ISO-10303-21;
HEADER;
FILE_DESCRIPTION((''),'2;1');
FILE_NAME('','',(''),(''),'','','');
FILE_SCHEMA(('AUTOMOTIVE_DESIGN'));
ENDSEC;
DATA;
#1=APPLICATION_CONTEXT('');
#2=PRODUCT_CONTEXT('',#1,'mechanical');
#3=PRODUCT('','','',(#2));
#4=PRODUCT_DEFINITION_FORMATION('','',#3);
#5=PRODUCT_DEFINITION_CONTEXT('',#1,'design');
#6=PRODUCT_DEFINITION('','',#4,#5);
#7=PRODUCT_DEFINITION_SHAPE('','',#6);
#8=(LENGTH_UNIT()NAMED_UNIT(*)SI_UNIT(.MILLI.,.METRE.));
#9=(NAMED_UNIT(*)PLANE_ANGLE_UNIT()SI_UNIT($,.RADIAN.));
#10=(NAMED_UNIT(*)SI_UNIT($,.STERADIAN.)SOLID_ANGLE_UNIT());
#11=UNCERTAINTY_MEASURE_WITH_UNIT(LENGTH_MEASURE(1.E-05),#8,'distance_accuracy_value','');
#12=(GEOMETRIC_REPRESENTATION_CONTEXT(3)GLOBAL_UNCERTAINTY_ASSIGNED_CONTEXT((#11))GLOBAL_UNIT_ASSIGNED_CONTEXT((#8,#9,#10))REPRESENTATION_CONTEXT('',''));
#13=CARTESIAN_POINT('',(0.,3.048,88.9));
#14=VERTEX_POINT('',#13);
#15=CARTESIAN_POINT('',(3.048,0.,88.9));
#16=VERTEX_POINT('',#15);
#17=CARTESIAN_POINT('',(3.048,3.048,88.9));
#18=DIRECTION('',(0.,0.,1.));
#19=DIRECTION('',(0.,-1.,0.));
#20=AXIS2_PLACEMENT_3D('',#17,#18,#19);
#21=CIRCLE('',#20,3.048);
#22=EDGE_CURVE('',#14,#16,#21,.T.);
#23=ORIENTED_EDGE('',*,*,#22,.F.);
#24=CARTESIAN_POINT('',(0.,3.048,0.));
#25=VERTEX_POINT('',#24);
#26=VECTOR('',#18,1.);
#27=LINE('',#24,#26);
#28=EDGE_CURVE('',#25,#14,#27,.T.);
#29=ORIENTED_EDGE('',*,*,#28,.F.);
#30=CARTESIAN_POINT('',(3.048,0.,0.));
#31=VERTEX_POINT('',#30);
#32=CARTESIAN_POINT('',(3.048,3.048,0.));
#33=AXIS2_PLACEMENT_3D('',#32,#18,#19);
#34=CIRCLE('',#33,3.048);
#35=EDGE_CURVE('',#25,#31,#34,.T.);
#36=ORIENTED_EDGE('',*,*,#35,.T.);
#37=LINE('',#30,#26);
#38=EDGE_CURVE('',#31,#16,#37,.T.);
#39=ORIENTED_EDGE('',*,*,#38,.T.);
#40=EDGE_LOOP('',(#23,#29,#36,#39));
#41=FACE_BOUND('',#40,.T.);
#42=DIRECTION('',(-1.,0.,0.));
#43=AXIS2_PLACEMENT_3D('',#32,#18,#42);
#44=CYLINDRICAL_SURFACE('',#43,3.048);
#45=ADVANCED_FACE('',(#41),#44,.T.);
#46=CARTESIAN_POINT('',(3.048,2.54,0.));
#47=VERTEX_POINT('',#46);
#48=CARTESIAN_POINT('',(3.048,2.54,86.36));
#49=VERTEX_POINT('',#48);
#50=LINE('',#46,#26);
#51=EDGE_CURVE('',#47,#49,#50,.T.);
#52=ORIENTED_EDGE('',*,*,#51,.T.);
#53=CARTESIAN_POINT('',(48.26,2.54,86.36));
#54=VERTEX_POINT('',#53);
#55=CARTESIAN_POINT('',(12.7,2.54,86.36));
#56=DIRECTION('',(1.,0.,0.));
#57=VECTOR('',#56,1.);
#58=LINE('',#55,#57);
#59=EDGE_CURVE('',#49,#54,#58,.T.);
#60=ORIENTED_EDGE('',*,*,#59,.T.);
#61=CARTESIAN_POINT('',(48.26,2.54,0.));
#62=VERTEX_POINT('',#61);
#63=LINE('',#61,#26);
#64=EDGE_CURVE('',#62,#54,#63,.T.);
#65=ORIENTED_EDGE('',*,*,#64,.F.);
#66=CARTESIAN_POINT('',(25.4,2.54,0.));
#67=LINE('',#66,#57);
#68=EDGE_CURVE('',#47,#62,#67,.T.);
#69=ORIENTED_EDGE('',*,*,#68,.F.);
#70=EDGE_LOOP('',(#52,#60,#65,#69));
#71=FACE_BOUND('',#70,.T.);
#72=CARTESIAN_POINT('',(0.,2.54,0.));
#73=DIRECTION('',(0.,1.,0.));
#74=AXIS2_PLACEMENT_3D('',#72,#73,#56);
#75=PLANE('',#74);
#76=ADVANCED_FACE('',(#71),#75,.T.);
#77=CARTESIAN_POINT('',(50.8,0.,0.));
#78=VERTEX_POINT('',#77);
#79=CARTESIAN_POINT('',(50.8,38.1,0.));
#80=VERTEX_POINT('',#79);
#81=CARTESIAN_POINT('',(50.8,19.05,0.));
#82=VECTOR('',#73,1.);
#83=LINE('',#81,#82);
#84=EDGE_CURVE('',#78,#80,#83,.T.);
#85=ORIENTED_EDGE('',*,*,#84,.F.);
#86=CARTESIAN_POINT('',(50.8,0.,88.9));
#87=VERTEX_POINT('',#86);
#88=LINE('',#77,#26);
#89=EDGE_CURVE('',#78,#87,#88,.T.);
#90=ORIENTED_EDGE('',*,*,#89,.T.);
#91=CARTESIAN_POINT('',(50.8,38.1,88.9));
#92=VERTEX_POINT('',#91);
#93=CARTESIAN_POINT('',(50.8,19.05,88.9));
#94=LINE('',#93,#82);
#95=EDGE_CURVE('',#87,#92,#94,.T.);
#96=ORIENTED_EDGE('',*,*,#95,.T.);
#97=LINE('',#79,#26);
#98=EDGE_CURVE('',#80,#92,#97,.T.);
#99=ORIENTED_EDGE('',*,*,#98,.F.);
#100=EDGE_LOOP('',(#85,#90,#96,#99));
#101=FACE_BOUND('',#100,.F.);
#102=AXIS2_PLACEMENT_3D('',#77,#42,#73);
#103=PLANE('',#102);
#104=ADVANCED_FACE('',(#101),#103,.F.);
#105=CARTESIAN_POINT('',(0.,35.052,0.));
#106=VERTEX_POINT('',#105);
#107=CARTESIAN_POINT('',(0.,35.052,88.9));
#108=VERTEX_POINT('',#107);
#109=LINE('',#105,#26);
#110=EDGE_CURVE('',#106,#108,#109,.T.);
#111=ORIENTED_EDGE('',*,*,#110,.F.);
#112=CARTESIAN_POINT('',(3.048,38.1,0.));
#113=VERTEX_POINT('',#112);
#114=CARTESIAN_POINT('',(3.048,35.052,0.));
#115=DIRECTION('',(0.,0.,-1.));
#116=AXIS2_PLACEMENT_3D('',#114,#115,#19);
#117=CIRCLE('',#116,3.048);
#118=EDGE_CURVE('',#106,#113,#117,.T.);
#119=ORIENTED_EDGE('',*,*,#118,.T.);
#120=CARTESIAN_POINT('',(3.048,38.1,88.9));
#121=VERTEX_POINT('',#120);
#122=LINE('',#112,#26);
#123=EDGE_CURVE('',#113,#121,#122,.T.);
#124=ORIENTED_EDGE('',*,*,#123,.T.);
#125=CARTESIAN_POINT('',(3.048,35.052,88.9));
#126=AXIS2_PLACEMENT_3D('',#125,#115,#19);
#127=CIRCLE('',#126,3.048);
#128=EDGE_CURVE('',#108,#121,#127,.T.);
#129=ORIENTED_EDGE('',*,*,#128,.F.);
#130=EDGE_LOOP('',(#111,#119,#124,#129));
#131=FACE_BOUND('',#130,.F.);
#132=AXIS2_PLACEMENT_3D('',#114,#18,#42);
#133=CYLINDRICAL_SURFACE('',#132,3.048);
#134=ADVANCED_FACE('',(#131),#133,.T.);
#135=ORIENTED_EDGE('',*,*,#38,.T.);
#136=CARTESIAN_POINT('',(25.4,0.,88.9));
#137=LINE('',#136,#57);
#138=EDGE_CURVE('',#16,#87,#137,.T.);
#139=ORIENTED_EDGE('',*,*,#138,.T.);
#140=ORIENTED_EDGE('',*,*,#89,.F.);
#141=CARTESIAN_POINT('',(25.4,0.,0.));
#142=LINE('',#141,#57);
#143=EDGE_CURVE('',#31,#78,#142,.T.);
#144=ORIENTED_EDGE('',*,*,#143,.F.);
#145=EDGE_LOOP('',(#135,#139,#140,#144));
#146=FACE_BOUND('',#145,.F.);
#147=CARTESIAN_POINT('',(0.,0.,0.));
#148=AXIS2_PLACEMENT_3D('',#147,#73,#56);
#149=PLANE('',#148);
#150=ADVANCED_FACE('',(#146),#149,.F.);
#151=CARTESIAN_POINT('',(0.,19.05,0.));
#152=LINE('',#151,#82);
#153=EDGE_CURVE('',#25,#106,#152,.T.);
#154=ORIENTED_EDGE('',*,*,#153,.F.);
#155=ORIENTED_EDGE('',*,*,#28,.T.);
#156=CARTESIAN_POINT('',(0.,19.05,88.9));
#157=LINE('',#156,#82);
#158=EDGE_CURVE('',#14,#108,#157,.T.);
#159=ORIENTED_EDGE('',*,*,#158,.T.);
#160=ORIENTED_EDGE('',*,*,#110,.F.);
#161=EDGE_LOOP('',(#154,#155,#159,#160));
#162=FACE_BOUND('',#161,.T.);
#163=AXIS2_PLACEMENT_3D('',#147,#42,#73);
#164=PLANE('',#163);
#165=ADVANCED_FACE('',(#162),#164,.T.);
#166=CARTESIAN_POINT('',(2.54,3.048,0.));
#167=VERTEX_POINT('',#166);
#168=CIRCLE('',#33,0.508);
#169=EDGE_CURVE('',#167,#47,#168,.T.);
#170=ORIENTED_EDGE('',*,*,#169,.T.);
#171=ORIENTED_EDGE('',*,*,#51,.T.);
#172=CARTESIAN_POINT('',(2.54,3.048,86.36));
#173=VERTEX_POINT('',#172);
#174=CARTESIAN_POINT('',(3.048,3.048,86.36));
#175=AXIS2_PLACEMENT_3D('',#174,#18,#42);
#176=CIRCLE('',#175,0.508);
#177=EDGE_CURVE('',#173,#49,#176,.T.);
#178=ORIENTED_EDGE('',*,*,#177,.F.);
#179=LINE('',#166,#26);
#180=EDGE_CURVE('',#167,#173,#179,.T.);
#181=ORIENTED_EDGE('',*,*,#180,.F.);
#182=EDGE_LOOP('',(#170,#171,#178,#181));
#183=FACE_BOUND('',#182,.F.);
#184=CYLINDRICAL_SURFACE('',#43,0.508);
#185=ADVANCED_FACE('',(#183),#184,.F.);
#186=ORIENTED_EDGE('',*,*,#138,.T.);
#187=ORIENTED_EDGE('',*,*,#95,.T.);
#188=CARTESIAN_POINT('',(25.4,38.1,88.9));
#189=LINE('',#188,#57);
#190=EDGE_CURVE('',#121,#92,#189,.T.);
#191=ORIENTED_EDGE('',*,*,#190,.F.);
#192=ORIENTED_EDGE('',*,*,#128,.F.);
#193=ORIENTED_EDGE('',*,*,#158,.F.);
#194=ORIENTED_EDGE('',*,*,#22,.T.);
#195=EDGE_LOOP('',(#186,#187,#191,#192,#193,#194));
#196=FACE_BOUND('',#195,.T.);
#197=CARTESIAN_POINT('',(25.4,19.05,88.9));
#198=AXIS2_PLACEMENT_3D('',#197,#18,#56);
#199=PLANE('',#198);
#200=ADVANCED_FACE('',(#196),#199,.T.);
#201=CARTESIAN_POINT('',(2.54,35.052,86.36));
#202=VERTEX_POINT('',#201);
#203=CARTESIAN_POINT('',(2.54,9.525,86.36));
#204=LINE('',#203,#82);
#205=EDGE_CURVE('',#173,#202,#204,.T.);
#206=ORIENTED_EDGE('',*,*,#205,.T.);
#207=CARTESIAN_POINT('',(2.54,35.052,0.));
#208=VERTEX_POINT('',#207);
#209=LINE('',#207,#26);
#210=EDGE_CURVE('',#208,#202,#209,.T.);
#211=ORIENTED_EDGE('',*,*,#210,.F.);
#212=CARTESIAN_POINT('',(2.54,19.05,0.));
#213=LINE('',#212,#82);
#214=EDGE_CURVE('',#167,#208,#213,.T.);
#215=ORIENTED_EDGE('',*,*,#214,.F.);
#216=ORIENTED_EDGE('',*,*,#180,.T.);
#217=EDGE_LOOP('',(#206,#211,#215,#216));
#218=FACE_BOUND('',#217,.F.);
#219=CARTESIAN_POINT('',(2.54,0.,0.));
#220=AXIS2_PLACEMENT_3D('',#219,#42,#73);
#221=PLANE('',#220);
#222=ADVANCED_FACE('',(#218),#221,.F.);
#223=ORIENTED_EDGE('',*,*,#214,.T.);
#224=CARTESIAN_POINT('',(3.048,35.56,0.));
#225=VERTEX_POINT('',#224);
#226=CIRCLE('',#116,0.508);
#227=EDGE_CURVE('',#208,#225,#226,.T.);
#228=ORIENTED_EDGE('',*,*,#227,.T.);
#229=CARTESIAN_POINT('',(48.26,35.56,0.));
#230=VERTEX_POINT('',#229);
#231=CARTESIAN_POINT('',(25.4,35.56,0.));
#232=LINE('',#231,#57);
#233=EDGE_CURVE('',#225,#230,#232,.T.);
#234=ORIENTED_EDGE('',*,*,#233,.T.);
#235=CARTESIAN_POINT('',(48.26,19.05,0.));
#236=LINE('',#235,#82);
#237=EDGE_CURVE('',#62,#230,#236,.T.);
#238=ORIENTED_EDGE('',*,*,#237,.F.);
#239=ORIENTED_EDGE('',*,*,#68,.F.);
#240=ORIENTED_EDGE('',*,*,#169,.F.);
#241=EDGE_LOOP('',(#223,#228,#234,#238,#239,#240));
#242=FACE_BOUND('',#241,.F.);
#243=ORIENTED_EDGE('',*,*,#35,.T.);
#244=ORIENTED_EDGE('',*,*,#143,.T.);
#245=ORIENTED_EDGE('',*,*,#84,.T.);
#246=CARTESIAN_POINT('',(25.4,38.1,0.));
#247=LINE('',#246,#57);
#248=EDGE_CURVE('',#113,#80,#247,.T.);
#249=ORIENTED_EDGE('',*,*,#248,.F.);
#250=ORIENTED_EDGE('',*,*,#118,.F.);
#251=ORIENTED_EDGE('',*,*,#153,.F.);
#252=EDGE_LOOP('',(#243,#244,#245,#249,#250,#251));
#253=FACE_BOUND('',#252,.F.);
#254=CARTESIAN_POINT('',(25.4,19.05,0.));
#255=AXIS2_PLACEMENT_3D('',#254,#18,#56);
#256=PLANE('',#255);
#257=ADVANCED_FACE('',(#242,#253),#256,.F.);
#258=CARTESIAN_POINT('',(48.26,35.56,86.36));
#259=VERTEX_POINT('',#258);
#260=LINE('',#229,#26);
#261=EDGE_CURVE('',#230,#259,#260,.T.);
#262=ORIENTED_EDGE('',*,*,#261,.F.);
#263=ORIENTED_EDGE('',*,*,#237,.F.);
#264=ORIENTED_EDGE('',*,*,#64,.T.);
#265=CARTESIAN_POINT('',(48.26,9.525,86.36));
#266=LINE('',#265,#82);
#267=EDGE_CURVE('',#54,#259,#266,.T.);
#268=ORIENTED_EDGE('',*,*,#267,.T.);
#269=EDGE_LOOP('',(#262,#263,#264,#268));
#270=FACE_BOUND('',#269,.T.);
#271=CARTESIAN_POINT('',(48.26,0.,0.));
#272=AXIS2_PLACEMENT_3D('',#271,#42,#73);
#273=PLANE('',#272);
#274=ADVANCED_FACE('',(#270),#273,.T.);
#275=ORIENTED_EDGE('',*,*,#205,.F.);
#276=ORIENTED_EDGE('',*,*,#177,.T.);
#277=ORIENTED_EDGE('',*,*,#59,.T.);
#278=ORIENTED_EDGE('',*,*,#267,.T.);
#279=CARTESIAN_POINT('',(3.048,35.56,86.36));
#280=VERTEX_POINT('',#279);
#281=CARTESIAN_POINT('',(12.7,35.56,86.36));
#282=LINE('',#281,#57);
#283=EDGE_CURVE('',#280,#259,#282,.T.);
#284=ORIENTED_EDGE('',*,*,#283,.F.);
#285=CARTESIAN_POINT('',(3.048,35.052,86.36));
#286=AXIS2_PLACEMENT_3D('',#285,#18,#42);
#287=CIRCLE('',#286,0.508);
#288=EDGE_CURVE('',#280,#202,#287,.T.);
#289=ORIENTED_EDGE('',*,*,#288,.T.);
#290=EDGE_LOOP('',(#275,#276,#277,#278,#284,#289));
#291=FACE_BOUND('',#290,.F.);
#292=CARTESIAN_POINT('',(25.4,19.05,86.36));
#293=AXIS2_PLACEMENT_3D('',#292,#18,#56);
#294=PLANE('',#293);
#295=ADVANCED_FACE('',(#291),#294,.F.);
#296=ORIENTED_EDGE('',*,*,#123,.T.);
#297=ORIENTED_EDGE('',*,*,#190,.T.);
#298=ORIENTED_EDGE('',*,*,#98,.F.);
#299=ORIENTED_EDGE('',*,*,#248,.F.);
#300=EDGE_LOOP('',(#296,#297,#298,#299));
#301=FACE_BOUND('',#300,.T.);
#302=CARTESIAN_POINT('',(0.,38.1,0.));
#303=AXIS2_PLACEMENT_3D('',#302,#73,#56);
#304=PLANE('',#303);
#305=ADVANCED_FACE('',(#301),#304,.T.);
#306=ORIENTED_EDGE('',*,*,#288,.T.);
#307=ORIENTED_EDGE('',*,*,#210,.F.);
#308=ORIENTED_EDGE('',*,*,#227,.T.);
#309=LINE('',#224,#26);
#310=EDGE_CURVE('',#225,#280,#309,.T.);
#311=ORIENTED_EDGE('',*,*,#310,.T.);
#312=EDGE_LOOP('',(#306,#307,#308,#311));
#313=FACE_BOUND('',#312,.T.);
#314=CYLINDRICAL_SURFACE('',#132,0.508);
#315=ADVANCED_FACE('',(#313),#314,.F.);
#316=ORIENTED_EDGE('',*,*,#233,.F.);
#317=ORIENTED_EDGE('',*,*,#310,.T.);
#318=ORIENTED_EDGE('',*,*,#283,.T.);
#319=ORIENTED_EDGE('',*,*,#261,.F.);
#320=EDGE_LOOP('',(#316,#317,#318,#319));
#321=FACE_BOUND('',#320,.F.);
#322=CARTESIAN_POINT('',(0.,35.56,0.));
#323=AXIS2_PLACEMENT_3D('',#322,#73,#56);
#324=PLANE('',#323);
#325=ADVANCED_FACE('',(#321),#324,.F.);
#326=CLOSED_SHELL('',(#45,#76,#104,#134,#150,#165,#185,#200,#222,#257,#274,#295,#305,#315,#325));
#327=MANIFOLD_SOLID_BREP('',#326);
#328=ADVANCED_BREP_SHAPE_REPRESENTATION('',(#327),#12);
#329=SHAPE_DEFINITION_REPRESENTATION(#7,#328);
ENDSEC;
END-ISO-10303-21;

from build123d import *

# Parameters (mm, degrees)
F0_W     = 50.8
F0_H     = 38.1
F1_DEPTH = 88.9
F2_R     = 3.048
F3_T     = -2.54


with BuildPart() as f1:
    # F0 (on Top) → F1 (new body)
    with BuildSketch(Plane.XY):
        with Locations((25.4, 19.05)):
            Rectangle(F0_W, F0_H)
    extrude(amount=F1_DEPTH)

    # F2
    f2_edges = [f1.edges().sort_by_distance(p)[0] for p in [
        (0, 0, 44.45),
        (0, 38.1, 44.45),
    ]]
    fillet(f2_edges, radius=F2_R)

    # F3
    f3_openings = [f1.faces().sort_by_distance(p)[0] for p in [
        (25.451031, 19.05, 0),
    ]]
    offset(amount=F3_T, openings=f3_openings)


solid = f1.part
